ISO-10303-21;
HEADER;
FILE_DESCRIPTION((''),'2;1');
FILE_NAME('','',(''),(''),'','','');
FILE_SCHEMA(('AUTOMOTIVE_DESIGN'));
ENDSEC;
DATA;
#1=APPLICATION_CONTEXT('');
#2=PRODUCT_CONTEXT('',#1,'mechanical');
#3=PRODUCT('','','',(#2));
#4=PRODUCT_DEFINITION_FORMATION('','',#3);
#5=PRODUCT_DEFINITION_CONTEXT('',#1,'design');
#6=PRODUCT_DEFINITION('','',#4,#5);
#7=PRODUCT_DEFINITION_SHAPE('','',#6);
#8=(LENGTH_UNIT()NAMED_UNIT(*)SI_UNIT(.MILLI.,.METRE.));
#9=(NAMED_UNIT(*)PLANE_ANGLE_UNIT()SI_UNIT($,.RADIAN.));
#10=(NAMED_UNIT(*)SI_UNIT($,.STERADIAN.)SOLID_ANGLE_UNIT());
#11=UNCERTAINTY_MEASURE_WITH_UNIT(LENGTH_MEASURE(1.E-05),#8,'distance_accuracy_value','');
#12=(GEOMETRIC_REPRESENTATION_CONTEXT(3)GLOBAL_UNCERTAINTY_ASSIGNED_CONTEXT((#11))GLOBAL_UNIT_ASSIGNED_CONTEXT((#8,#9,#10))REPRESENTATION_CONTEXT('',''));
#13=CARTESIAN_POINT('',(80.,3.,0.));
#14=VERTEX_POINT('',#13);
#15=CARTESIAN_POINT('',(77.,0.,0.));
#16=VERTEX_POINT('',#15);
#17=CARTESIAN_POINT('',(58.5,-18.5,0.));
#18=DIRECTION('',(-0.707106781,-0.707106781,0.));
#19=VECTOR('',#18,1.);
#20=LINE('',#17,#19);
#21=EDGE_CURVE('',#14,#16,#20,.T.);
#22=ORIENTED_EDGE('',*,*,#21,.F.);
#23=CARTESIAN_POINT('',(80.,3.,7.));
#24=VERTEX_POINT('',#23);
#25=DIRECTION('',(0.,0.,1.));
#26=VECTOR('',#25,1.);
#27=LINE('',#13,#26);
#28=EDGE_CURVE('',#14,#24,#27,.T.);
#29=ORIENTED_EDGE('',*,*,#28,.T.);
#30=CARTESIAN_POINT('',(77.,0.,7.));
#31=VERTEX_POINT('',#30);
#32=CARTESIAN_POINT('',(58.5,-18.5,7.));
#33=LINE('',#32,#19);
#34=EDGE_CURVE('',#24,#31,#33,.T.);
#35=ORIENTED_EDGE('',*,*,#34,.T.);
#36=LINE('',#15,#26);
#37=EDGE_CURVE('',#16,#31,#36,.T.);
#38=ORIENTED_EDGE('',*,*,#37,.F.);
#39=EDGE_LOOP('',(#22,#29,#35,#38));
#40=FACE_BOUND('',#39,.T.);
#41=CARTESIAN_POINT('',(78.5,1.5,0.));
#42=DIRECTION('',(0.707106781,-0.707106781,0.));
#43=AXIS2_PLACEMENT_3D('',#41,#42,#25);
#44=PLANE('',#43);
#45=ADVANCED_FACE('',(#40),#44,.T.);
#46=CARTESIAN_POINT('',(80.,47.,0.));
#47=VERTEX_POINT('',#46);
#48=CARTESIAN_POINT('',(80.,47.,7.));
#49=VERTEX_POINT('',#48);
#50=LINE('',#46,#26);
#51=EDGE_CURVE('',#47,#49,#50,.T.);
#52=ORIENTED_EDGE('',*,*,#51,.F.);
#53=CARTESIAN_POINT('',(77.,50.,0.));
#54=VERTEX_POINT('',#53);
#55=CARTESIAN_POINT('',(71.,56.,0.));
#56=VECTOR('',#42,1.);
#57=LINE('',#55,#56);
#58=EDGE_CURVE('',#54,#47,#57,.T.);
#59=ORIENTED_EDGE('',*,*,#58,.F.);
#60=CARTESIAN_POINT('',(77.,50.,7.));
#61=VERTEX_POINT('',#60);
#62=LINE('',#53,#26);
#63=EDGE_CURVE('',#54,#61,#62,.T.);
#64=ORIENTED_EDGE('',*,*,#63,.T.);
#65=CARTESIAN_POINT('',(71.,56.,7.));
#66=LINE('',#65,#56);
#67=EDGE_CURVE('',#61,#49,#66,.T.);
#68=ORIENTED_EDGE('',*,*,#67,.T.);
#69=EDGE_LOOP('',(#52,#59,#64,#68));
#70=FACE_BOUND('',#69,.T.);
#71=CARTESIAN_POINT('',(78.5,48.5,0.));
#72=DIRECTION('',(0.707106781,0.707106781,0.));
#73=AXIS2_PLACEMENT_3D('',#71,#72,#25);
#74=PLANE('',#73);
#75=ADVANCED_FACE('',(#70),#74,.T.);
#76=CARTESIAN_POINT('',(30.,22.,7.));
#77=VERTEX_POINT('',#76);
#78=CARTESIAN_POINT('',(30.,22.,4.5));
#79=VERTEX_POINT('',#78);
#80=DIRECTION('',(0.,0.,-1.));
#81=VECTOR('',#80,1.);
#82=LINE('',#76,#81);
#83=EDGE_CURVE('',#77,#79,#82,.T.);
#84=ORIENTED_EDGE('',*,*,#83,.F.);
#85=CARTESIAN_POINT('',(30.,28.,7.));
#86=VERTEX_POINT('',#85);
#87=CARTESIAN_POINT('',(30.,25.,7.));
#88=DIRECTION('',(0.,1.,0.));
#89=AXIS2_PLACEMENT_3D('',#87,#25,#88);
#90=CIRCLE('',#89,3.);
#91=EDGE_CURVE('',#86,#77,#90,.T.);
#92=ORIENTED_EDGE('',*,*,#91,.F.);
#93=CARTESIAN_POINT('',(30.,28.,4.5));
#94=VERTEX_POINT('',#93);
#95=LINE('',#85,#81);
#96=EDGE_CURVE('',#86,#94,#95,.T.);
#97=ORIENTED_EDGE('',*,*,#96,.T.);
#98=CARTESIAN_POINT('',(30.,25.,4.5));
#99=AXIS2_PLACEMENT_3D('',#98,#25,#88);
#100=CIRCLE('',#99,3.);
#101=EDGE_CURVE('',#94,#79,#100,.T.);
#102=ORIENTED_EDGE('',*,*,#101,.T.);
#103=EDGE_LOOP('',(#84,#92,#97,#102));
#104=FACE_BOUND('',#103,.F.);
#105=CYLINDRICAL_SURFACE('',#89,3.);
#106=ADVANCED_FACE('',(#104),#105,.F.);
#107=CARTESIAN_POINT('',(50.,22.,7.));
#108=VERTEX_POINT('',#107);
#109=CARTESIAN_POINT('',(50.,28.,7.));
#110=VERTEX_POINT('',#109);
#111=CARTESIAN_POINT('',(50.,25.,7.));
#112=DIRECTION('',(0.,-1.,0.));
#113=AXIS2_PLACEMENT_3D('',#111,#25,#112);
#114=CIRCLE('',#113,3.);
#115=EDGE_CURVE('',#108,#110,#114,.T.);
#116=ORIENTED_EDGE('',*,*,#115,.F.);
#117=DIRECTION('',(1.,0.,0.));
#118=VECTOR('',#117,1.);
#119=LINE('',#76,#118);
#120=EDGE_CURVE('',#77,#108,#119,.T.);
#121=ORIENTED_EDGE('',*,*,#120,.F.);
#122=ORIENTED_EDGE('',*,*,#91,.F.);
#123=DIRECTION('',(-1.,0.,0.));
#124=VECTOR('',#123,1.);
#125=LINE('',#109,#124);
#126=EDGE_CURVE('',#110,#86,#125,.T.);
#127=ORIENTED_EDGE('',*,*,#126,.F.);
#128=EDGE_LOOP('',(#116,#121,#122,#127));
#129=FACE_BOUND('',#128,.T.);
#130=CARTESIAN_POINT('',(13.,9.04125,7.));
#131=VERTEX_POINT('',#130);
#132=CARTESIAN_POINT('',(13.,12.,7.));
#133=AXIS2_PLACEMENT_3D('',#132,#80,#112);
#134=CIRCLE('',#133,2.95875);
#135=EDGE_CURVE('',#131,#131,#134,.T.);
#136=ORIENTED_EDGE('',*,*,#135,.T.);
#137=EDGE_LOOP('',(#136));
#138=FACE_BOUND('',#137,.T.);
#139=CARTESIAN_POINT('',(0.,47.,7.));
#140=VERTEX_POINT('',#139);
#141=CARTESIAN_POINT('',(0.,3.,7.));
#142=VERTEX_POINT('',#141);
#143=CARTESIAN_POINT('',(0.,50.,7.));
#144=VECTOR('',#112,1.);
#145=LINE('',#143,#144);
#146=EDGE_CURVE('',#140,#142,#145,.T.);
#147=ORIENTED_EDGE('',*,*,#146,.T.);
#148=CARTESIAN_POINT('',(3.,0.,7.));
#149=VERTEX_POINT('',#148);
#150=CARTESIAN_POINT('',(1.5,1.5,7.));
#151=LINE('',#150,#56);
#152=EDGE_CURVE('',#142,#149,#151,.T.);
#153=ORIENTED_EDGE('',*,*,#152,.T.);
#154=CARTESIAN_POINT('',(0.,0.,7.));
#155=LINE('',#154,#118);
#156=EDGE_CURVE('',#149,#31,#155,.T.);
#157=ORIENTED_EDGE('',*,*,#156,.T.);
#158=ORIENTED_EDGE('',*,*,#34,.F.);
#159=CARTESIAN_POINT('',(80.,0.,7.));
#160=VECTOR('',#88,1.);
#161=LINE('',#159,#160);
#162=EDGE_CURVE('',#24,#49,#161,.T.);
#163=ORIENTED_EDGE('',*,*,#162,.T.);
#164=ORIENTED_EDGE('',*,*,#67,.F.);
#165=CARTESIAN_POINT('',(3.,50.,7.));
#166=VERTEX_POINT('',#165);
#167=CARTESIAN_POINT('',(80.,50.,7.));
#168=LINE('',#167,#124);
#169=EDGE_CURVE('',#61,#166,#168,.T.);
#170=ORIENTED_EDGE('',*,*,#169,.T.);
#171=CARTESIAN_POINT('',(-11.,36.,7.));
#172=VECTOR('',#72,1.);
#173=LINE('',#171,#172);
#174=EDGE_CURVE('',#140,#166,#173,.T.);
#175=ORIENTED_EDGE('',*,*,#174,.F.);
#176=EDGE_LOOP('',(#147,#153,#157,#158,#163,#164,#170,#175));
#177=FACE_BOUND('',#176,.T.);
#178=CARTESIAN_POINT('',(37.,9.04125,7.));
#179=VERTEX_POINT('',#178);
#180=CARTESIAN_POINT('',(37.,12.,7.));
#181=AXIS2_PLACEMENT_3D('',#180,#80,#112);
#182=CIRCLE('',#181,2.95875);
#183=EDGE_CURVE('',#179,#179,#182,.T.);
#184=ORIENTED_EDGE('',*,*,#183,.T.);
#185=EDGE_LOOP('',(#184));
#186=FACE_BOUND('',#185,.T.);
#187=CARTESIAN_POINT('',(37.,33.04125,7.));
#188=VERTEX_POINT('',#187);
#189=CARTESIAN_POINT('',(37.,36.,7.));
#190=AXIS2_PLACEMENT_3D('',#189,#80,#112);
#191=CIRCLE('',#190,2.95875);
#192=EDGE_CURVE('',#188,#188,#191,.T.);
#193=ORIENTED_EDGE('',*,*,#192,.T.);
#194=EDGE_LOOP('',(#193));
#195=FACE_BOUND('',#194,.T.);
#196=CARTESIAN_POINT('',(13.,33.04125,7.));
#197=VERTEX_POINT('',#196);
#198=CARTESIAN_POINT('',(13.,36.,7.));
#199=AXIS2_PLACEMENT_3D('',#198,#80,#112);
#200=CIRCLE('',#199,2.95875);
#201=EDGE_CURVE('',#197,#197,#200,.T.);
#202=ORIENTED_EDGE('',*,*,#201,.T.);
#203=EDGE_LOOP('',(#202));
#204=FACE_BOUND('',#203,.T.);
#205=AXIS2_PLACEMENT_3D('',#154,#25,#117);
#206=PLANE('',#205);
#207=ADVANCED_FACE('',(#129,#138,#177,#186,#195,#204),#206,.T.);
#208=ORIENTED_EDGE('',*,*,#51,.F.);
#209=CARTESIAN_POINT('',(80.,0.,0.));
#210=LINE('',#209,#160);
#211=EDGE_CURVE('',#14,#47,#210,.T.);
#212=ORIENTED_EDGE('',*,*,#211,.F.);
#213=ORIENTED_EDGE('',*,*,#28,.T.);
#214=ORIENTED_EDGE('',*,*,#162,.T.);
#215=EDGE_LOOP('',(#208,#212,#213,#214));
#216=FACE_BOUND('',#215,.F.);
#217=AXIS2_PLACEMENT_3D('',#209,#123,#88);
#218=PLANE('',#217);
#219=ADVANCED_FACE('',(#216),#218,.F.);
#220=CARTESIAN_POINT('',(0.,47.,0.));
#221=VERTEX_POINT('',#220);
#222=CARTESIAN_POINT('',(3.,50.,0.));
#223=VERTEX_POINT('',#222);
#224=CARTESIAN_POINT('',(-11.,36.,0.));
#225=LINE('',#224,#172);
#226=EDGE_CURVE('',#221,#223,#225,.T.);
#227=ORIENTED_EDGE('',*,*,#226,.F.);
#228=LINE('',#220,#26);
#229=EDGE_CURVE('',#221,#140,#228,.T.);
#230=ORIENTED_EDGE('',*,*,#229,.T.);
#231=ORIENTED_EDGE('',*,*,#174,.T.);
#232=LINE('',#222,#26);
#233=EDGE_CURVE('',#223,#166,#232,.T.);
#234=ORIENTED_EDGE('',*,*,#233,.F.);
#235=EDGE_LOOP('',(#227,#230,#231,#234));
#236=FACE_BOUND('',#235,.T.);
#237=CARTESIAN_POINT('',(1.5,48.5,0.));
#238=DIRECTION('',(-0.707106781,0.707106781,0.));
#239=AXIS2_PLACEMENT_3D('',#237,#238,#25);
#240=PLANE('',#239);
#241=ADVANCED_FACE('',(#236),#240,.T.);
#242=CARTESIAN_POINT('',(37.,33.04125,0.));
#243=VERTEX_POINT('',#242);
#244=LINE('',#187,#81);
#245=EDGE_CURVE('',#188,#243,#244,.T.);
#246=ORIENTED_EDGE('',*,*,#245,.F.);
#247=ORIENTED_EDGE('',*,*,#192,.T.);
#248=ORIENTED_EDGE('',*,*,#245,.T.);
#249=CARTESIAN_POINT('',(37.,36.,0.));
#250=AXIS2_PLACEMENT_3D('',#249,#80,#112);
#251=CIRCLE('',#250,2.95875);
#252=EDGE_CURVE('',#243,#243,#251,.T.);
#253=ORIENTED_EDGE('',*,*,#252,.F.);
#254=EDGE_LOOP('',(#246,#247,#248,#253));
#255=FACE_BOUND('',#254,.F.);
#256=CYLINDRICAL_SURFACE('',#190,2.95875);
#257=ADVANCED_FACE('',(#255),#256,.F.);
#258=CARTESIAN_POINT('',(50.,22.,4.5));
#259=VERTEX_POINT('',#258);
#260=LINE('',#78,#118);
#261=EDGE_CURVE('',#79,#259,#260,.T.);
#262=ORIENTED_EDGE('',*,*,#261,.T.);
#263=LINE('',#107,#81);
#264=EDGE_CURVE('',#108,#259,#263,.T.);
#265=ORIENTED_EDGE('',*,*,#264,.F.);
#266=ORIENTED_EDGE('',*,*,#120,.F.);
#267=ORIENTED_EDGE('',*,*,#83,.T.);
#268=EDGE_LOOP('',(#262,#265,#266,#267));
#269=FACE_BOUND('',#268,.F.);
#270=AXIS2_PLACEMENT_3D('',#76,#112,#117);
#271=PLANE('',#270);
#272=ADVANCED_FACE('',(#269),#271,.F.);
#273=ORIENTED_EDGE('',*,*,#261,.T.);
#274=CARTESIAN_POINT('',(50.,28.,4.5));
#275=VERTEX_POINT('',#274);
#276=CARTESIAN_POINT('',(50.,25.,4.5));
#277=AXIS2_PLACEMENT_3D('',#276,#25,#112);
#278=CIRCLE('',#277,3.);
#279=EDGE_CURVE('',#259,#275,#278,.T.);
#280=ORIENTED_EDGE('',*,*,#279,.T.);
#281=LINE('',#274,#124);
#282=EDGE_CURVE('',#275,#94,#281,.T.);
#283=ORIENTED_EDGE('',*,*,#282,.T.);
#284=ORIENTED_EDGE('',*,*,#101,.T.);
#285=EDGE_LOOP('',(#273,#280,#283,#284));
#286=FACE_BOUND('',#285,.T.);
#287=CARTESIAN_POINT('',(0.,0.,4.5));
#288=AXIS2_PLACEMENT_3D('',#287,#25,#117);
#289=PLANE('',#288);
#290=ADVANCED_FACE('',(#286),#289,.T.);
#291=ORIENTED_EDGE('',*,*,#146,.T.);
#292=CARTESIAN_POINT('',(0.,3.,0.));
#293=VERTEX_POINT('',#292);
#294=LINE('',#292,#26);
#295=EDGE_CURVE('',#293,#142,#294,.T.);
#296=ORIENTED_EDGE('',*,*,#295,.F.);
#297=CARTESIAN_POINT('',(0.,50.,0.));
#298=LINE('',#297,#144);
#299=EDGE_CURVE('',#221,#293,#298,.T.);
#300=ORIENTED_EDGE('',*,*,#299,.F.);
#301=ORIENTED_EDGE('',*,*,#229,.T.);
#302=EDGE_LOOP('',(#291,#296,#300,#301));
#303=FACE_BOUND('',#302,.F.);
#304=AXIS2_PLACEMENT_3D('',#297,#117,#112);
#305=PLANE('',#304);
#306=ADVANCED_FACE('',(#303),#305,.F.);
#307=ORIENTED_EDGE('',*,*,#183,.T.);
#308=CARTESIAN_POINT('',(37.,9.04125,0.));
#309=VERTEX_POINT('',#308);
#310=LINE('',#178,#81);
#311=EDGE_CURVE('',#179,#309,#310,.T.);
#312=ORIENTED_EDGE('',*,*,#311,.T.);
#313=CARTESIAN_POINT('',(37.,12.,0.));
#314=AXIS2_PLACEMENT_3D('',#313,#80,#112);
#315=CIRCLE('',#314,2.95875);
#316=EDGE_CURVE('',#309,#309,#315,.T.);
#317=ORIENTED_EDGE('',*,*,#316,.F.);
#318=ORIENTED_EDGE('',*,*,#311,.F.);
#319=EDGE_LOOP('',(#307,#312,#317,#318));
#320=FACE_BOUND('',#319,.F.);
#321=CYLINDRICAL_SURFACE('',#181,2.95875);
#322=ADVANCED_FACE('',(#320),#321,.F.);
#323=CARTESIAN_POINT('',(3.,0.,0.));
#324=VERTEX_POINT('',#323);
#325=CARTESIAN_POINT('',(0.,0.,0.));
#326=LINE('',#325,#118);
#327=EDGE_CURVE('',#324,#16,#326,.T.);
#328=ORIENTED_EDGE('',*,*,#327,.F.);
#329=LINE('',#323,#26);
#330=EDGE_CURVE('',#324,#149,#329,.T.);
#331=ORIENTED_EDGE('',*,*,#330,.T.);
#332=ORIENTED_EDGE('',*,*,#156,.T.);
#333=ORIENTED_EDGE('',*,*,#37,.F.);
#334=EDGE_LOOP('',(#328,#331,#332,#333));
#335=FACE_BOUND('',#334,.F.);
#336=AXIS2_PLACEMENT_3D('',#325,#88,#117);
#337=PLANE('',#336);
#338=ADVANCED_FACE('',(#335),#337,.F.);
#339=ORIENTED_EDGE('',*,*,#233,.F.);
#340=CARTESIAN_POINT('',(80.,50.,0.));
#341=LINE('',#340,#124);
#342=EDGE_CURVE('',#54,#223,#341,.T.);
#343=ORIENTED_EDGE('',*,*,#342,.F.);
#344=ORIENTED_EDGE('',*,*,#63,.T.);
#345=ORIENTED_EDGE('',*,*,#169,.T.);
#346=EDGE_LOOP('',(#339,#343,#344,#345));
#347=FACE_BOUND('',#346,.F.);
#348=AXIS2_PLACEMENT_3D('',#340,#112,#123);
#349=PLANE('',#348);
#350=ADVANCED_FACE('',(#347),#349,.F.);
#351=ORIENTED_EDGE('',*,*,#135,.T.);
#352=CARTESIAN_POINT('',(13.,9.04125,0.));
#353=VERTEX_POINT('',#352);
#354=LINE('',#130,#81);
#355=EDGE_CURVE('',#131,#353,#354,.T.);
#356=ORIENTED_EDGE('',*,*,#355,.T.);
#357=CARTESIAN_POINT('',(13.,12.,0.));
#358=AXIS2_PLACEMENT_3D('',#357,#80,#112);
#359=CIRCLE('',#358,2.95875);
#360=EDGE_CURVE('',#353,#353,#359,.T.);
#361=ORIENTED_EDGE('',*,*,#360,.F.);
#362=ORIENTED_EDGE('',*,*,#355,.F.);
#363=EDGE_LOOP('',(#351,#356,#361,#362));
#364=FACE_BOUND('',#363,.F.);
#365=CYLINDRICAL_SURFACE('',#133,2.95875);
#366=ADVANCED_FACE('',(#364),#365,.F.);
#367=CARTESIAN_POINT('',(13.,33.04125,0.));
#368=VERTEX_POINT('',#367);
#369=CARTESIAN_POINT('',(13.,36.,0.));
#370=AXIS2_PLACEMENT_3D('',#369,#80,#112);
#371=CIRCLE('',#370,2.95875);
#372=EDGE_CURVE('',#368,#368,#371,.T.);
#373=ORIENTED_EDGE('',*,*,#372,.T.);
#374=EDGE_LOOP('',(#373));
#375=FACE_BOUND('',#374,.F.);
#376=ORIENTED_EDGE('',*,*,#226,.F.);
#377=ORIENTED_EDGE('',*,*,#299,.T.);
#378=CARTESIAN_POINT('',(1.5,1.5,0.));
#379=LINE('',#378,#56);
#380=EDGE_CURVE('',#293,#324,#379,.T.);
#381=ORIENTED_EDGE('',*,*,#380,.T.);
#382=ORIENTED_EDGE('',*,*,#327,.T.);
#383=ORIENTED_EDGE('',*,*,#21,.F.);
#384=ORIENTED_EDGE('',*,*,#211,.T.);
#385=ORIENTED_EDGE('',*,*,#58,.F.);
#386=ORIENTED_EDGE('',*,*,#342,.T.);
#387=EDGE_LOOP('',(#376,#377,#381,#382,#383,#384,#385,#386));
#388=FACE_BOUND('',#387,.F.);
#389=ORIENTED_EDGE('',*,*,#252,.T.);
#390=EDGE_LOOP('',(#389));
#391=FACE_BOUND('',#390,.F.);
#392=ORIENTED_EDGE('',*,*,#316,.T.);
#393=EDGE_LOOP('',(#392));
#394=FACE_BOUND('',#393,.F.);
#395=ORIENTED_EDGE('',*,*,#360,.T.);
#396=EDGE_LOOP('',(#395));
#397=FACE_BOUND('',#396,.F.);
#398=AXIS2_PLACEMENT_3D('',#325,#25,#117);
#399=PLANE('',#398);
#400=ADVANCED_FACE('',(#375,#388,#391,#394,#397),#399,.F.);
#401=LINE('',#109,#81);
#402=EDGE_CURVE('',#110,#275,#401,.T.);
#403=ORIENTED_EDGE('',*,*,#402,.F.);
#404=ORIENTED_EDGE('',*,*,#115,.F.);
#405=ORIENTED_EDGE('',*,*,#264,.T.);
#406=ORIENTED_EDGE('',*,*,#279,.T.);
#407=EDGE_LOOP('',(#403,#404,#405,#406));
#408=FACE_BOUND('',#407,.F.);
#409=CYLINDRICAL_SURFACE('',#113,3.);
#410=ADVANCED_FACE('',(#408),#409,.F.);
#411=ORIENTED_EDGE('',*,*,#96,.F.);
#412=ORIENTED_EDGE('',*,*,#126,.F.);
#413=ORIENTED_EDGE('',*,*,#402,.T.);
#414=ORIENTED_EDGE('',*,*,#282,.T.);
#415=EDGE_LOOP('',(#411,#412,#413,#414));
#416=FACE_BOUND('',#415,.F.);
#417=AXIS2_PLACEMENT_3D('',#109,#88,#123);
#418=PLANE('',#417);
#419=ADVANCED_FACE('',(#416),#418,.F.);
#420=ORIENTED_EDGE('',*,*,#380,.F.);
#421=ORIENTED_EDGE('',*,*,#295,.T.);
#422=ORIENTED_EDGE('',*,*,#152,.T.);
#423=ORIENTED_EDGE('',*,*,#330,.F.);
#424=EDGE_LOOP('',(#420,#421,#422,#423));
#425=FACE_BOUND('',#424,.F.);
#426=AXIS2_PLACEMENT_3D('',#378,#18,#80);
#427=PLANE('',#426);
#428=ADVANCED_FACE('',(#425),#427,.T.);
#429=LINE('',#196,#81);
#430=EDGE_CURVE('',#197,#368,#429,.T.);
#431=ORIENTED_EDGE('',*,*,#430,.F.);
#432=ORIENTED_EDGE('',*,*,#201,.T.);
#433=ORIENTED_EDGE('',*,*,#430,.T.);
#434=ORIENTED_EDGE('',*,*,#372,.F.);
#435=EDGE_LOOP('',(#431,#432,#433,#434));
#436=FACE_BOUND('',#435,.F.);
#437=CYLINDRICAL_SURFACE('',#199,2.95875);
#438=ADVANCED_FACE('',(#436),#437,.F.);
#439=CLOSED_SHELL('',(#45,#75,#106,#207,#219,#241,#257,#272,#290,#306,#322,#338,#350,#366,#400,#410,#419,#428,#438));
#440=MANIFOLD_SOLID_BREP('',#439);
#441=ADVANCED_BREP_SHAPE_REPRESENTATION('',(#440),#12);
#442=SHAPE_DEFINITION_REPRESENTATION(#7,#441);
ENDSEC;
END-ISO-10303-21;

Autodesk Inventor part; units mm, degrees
ref_plane "YZ Plane" through (0, 0, 0) normal (1, 0, 0) x (0, 1, 0)
ref_plane "XZ Plane" through (0, 0, 0) normal (0, 1, 0) x (-1, 0, 0)
ref_plane "XY Plane" through (0, 0, 0) normal (0, 0, 1) x (1, 0, 0)
sketch "Skizze1" plane through (0, 0, 0) normal (0, 0, 1) x (1, 0, 0)
  line L0 (0, 0) -> (80, 0)
  line L1 (80, 0) -> (80, 50)
  line L2 (80, 50) -> (0, 50)
  line L3 (0, 50) -> (0, 0)
  dimension "Breite" = 50
  dimension "Laenge" = 80
extrude "Extrusion1" add sketch "Skizze1" along normal blind 7
chamfer "Fasen1" distance 3 angle 45 4 edges at (80, 50, 3.5) (80, 0, 3.5) (0, 50, 3.5) (0, 0, 3.5)
sketch "Skizze2" plane through (0, 0, 7) normal (0, 0, 1) x (1, 0, 0)
  line L0 (77, 50) -> (3, 50) projected
  line L1 (40, 50) -> (40, 0) construction
  line L2 (0, 47) -> (0, 3) projected
  line L3 (0, 25) -> (80, 25) construction
  line L4 (80, 3) -> (80, 47) projected
  point P0 (0, 0)
  point P1 (13, 36)
  dimension "Punktabstand1" = 13
  dimension "Punktabstand2" = 14
hole "Bohrung1" at (13, 36, 7) direction (0, 0, -1) diameter 5.9175 end through all thread size "M7x1" class "6H" standard "ISO Metric profile"
sketch "Skizze3" plane through (0, 0, 7) normal (0, 0, 1) x (1, 0, 0)
  line L0 (30, 25) -> (50, 25) construction
  line L1 (30, 22) -> (50, 22)
  line L2 (50, 28) -> (30, 28)
  arc A0 (30, 28) -> (30, 22) centre (30, 25) ccw
  arc A1 (50, 22) -> (50, 28) centre (50, 25) ccw
  line L3 (3, 0) -> (77, 0) projected
  line L4 (0, 47) -> (0, 3) projected
  point P0 (0, 0)
  point P1 (40, 25)
  point P2 (40, 0)
  point P3 (0, 25)
  point P4 (40, 0)
  point P5 (0, 25)
  dimension "Mannlochbreite" = 6
  dimension "Mannlochlaenge" = 20
extrude "Extrusion2" cut sketch "Skizze3" against normal blind 2.5
pattern_linear "Rechteckige Anordnung2" count 2 spacing 24 along (0, -1, 0) count 2 spacing 24 along (1, 0, 0) of "Bohrung1"
equation "\"d27\" = Abstand_Zeilen"
equation "\"d30\" = Abstand_Zeilen"
equation "\"Abstand_Zeilen\" = Breite - 2 * Punktabstand1"
equation "\"Abstand_Spalten\" = Laenge - 2 * Punktabstand2"
properties part number "variante-03" material "Edelstahl"
